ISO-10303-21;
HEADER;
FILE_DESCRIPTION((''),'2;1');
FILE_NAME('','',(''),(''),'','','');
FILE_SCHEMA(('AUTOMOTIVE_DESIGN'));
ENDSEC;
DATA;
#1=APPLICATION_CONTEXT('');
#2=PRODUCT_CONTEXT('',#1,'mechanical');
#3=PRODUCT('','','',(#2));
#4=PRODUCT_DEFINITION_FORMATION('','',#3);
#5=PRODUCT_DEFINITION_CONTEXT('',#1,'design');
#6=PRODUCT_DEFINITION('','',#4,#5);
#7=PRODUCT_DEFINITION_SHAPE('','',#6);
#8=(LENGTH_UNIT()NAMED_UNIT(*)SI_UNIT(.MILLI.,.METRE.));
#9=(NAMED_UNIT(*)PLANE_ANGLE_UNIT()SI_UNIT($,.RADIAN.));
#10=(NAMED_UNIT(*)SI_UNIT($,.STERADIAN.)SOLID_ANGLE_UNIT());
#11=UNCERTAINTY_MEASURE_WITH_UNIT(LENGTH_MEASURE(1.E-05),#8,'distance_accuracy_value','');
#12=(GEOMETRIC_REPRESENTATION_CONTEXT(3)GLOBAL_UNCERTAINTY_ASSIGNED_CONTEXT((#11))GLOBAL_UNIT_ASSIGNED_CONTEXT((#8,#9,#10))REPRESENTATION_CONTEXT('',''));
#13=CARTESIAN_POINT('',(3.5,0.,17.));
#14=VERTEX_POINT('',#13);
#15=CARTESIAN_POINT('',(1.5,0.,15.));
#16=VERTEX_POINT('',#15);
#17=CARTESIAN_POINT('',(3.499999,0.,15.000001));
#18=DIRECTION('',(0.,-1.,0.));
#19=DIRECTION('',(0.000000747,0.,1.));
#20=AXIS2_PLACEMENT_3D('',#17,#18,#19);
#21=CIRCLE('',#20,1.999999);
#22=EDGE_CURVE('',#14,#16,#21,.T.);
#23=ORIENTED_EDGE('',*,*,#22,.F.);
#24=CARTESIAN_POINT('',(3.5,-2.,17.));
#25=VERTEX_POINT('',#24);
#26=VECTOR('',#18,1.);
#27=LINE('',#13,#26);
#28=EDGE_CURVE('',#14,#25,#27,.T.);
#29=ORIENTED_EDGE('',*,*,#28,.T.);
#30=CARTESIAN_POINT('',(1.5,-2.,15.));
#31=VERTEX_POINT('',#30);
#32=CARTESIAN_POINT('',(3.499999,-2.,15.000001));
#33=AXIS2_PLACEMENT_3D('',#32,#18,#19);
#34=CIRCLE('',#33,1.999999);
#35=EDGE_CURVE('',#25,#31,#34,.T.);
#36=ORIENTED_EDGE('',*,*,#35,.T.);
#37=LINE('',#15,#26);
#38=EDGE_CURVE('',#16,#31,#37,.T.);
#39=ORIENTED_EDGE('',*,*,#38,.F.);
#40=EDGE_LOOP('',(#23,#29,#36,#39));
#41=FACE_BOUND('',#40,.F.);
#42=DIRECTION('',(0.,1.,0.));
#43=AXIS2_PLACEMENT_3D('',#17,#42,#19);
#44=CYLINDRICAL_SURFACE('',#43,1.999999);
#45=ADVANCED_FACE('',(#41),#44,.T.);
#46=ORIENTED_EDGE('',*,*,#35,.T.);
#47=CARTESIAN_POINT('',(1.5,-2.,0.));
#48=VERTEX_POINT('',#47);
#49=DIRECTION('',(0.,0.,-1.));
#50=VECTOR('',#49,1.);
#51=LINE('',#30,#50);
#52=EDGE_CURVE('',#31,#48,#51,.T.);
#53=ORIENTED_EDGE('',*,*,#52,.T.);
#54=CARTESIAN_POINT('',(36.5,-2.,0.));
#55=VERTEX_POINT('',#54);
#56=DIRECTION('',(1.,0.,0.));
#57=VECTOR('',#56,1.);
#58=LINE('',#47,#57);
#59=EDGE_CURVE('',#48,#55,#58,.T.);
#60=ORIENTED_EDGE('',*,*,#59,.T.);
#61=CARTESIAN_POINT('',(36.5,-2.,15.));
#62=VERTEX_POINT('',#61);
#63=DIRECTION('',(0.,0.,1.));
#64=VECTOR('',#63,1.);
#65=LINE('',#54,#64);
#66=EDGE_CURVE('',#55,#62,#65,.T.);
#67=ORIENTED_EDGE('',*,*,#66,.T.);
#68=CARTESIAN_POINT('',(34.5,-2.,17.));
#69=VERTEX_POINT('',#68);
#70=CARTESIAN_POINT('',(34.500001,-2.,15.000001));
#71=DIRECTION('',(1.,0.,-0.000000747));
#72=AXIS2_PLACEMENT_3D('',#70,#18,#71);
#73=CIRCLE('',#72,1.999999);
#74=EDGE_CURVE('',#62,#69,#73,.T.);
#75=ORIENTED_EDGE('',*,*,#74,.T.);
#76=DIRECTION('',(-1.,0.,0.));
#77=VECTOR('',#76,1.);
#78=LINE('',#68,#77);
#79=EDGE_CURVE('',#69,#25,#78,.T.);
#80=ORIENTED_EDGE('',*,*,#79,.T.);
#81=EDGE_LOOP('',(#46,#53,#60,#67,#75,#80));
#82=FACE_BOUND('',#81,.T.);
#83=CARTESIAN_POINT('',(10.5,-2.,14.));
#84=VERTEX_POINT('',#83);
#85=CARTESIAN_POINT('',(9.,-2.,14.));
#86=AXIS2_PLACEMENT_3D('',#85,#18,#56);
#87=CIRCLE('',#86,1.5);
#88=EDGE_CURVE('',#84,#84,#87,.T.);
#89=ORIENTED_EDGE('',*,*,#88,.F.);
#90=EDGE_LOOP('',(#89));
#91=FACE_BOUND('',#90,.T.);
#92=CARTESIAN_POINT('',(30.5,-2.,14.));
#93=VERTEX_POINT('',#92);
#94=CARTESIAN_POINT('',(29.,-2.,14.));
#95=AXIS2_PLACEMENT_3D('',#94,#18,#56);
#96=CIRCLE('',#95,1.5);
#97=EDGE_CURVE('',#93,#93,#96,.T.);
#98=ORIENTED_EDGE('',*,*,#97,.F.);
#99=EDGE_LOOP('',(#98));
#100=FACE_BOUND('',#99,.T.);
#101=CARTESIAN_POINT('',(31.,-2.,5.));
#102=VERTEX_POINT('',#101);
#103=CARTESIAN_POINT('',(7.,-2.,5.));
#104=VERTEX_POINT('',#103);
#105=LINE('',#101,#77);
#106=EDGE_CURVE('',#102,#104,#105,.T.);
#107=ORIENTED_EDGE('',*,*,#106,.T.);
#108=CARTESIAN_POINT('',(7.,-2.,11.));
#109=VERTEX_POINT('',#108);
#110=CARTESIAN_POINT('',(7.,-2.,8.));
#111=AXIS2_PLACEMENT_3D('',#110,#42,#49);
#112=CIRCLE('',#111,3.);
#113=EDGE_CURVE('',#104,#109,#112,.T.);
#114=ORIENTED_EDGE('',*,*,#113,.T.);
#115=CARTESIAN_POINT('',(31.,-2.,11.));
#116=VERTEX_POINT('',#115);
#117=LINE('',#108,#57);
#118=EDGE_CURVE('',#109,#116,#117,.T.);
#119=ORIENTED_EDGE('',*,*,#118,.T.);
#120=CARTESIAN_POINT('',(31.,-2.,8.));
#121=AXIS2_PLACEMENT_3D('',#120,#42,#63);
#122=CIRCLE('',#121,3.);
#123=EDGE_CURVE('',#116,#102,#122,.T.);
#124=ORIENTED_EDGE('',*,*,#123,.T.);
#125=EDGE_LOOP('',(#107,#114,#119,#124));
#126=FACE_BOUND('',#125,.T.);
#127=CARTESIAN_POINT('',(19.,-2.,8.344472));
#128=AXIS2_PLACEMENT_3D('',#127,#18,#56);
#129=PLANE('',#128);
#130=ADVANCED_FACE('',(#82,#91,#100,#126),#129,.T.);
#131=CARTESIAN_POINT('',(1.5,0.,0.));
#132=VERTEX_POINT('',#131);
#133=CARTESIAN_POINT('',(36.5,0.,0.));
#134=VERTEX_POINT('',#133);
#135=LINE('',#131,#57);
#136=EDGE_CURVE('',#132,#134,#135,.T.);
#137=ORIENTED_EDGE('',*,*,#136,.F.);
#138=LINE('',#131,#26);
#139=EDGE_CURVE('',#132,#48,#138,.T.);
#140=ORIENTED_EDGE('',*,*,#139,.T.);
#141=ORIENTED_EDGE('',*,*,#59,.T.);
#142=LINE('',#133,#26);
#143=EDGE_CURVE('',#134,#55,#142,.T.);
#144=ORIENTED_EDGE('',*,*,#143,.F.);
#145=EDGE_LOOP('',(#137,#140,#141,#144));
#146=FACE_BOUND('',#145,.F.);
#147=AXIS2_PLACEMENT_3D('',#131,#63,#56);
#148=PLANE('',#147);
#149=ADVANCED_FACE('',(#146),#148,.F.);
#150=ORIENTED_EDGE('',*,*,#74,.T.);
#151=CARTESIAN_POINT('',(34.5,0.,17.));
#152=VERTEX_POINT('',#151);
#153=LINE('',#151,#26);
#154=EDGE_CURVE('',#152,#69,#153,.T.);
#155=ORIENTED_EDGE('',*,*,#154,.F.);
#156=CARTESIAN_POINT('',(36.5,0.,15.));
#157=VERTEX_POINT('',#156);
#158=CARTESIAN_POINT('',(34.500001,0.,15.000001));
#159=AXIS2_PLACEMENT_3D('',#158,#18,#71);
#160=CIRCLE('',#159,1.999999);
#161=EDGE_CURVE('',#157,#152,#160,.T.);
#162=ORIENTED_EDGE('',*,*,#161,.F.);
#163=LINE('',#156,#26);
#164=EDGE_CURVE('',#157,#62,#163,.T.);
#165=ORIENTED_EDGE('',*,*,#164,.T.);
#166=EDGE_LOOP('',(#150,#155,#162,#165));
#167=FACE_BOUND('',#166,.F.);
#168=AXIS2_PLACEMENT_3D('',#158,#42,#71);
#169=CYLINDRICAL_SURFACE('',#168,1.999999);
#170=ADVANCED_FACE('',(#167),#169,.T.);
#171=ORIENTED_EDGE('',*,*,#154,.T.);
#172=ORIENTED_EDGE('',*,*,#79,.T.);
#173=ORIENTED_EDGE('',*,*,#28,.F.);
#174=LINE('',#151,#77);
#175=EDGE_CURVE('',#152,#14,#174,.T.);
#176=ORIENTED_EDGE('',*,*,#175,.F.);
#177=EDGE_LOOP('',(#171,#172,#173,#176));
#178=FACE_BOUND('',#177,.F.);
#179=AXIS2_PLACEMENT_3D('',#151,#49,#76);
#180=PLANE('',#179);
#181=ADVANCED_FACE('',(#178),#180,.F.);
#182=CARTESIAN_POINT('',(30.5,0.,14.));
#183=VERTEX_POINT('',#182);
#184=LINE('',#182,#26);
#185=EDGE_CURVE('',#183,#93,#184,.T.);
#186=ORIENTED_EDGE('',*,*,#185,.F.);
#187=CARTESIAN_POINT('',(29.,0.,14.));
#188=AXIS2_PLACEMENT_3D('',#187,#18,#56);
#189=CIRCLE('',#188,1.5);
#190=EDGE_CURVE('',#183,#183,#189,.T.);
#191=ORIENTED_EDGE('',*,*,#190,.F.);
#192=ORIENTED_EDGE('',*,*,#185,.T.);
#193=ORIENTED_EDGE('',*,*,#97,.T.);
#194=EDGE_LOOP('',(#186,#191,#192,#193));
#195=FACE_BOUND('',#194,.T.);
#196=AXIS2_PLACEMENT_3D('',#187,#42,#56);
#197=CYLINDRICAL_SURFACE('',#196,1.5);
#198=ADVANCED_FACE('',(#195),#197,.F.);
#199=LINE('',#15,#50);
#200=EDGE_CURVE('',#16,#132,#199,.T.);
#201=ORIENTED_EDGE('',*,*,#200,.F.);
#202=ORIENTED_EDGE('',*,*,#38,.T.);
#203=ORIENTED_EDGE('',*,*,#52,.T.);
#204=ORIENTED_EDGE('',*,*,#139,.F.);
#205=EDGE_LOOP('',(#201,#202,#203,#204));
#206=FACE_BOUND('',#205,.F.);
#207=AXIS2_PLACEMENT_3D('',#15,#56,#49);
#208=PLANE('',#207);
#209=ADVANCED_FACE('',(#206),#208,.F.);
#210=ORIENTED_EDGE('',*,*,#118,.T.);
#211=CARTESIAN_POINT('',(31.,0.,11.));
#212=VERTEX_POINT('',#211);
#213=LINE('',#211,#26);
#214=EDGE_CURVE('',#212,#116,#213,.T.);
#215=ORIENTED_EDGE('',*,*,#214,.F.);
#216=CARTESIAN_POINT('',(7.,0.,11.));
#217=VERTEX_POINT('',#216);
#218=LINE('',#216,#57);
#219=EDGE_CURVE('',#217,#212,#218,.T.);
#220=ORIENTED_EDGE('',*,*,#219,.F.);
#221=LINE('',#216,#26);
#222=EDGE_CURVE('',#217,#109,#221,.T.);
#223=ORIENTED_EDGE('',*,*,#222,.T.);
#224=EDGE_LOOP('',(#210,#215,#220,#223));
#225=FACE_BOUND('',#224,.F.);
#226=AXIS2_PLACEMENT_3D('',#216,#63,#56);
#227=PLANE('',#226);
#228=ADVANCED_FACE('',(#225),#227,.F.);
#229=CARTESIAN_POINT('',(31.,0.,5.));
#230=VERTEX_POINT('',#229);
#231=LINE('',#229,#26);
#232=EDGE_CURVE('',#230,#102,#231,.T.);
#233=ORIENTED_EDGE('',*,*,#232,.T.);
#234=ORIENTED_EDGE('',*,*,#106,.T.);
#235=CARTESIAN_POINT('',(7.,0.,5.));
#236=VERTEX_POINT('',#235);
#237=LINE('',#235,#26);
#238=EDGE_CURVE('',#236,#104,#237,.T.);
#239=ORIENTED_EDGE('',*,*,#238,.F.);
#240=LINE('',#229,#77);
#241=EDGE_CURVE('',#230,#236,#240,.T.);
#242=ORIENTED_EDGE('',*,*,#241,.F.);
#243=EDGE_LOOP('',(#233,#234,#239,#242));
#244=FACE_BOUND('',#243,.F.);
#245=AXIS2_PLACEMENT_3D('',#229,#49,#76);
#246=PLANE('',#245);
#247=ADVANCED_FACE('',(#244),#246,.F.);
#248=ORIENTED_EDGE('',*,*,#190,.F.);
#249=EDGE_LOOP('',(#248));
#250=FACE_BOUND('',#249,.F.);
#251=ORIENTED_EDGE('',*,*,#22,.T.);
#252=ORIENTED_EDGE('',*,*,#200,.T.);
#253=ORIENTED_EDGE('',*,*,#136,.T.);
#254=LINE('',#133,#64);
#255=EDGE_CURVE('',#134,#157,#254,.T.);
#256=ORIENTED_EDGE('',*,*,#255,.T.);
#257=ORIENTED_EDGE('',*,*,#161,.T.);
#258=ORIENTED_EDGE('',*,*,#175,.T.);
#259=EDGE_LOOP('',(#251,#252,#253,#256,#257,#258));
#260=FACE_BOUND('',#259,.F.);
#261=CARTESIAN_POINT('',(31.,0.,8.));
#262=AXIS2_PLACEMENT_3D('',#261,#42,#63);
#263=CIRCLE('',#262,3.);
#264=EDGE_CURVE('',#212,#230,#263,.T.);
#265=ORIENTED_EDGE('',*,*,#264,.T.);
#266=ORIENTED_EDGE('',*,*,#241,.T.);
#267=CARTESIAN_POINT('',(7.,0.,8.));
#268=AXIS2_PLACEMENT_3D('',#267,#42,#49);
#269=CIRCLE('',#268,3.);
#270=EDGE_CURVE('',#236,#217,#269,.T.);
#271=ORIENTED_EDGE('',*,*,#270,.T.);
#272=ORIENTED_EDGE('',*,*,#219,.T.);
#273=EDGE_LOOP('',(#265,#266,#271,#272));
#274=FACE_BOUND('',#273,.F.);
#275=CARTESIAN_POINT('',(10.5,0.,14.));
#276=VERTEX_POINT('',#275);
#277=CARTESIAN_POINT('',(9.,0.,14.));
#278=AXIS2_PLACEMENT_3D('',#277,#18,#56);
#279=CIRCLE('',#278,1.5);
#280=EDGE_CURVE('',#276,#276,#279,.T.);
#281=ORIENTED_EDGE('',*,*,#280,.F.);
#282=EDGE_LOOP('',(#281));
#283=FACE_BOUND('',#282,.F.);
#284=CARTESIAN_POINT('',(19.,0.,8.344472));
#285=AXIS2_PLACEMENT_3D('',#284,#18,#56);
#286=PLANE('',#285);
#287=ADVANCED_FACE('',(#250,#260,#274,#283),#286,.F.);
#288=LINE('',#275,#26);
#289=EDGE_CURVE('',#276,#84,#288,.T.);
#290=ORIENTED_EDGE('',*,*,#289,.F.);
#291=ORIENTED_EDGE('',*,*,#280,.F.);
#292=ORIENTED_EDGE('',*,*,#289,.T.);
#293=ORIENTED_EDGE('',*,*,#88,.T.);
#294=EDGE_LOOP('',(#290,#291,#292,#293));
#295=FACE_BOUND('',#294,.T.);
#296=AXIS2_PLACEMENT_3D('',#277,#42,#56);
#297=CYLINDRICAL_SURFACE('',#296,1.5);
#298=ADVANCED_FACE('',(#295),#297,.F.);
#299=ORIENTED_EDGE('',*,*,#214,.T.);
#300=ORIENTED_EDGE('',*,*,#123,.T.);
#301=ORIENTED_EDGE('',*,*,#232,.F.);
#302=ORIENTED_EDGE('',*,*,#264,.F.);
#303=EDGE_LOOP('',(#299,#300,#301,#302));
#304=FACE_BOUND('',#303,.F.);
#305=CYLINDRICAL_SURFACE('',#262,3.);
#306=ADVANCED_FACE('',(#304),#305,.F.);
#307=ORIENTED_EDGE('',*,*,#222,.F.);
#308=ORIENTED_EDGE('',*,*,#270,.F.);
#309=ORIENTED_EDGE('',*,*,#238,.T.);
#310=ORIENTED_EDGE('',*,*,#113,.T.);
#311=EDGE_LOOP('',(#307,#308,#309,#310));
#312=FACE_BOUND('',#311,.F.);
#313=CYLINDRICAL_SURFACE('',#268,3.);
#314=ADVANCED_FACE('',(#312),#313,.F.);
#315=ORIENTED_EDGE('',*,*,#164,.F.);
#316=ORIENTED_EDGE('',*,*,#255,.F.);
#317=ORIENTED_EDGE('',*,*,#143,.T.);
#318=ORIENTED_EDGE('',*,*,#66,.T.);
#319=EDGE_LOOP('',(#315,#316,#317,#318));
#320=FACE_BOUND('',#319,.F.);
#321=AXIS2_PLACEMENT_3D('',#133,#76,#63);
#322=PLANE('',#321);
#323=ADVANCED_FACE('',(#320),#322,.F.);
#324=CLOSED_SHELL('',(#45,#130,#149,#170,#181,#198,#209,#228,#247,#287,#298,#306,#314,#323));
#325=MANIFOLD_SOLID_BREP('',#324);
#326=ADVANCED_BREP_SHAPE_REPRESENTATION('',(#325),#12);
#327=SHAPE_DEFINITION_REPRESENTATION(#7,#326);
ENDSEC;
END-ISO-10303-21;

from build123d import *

# Parameters (mm, degrees)
F0_R     = 1.5
F1_DEPTH = 2


with BuildPart() as f1:
    # F0 (on Front) → F1 (new body)
    with BuildSketch(Plane.XZ):
        with BuildLine():
            Line((34.5, 17), (3.5, 17))
            ThreePointArc((3.5, 17), (2.085786, 16.414214), (1.5, 15))
            Line((1.5, 15), (1.5, 0))
            Line((1.5, 0), (36.5, 0))
            Line((36.5, 0), (36.5, 15))
            ThreePointArc((36.5, 15), (35.914214, 16.414214), (34.5, 17))
        make_face()
        with BuildLine():
            ThreePointArc((7, 5), (4, 8), (7, 11))
            Line((7, 11), (31, 11))
            ThreePointArc((31, 11), (34, 8), (31, 5))
            Line((31, 5), (7, 5))
        make_face(mode=Mode.SUBTRACT)
        with Locations((9, 14)):
            Circle(F0_R, mode=Mode.SUBTRACT)
        with Locations((29, 14)):
            Circle(F0_R, mode=Mode.SUBTRACT)
    extrude(amount=F1_DEPTH)


solid = f1.part
